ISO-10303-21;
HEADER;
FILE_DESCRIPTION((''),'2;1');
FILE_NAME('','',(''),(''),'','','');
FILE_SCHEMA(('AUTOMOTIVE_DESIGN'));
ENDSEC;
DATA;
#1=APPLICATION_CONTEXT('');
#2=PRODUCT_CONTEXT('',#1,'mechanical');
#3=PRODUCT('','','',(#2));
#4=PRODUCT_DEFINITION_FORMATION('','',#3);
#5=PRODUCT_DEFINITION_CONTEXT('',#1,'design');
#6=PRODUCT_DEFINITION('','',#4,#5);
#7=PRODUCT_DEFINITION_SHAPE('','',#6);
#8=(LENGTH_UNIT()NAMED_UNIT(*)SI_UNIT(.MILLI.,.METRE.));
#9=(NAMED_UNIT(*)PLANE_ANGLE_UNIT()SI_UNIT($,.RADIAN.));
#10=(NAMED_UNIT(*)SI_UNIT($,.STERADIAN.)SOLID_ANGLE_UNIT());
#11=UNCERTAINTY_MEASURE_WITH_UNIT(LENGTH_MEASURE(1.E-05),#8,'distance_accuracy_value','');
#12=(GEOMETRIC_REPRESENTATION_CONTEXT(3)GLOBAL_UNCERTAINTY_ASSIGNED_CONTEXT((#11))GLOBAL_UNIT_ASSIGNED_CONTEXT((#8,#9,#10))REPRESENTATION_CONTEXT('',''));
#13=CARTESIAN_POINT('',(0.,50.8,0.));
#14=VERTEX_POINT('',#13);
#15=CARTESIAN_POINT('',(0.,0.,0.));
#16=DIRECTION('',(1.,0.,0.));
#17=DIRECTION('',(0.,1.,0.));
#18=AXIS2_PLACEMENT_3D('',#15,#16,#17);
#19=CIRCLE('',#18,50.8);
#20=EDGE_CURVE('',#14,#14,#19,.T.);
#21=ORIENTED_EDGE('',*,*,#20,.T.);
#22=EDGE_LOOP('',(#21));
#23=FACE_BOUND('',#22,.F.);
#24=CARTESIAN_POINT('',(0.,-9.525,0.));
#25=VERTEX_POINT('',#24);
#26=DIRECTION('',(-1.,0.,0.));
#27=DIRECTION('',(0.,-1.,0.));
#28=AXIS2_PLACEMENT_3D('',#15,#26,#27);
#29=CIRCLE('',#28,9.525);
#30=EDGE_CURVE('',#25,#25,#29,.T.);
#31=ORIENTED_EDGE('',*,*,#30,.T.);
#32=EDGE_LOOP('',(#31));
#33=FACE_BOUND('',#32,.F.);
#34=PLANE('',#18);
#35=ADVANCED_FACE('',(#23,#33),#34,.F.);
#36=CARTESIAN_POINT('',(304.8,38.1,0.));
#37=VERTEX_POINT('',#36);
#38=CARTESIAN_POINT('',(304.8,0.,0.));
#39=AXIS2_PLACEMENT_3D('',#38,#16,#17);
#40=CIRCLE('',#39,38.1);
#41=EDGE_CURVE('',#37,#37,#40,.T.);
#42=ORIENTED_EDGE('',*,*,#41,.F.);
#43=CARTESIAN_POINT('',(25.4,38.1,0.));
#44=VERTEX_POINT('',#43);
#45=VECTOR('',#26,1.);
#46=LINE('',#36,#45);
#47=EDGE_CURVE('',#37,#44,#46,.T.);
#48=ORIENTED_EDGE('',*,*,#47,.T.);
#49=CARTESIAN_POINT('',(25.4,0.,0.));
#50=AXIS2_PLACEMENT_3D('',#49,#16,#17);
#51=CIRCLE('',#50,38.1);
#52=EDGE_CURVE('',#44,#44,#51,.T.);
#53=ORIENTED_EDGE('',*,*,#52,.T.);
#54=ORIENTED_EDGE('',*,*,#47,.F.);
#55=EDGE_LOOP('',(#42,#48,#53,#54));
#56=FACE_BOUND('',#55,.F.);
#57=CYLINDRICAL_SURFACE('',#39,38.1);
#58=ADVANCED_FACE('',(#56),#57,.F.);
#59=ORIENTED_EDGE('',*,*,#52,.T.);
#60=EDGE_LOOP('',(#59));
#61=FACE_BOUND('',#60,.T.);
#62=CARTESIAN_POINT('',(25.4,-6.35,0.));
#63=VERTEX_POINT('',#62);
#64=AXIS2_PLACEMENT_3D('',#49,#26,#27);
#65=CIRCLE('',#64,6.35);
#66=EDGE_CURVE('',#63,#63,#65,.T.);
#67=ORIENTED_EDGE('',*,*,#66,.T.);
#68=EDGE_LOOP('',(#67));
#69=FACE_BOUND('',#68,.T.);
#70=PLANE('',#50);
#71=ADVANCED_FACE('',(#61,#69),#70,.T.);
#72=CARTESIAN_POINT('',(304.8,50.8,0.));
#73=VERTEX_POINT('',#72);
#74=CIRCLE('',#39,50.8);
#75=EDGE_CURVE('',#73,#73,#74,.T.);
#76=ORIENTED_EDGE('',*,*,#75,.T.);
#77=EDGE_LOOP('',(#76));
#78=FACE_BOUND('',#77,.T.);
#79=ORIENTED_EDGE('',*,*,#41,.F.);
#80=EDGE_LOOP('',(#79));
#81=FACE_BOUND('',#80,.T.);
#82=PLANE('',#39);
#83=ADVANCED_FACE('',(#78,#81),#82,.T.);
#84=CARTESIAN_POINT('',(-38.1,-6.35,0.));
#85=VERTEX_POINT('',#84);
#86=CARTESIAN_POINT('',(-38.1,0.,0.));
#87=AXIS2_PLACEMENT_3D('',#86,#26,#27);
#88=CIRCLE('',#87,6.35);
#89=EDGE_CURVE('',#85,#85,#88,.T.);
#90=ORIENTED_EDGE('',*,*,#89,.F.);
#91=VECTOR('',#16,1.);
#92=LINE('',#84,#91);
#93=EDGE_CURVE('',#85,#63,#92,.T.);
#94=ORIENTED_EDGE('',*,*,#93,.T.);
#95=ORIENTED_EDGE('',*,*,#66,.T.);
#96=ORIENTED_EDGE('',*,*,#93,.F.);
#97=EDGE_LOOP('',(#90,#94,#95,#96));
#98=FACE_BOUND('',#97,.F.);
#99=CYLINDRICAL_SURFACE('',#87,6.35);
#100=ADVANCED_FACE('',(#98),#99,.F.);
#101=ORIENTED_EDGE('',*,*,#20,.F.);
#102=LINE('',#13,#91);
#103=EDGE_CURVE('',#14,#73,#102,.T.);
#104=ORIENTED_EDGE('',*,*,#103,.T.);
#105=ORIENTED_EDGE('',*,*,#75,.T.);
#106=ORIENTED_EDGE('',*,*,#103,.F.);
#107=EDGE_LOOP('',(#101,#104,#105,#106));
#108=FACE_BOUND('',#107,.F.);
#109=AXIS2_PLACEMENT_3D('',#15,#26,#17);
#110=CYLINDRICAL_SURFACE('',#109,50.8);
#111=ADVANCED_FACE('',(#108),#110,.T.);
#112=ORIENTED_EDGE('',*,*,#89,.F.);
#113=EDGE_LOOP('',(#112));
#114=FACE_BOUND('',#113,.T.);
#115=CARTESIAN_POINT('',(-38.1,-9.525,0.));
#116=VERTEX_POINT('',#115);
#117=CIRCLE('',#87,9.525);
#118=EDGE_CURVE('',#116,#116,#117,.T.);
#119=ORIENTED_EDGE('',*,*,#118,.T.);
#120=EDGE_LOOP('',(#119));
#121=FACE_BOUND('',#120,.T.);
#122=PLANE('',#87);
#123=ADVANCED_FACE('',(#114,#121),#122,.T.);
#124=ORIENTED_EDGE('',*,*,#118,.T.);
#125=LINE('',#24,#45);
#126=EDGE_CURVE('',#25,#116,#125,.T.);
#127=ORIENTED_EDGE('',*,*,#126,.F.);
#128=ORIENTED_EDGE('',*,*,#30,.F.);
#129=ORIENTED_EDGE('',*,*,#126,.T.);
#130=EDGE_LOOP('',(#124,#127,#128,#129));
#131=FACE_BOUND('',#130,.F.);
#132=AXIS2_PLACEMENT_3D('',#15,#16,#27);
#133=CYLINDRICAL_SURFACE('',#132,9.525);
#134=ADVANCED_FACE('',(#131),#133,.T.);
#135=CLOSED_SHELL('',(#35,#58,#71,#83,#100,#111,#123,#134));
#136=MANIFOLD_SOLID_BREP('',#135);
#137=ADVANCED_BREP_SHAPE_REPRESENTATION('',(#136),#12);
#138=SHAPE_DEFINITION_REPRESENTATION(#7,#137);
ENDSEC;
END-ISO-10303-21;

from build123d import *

# Parameters (mm, degrees)
F0_R     = 50.8
F1_DEPTH = 304.8
F2_R     = 38.1
F3_DEPTH = 279.4
F4_R     = 9.525
F5_DEPTH = 38.1
F6_R     = 6.35
F7_DEPTH = 91.948


with BuildPart() as f1:
    # F0 (on Right) → F1 (new body)
    with BuildSketch(Plane.YZ):
        Circle(F0_R)
    extrude(amount=F1_DEPTH)

    # F2 (on face) → F3 (cut)
    with BuildSketch(Plane.YZ.offset(304.8)):
        Circle(F2_R)
    extrude(amount=-F3_DEPTH, mode=Mode.SUBTRACT)

    # F4 (on face) → F5 (join)
    with BuildSketch(Plane(origin=(0, 0, 0), x_dir=(0, -1, 0), z_dir=(-1, 0, 0))):
        Circle(F4_R)
    extrude(amount=F5_DEPTH)

    # F6 (on face) → F7 (cut)
    with BuildSketch(Plane(origin=(-38.1, 0, 0), x_dir=(0, -1, 0), z_dir=(-1, 0, 0))):
        Circle(F6_R)
    extrude(amount=-F7_DEPTH, mode=Mode.SUBTRACT)


solid = f1.part
